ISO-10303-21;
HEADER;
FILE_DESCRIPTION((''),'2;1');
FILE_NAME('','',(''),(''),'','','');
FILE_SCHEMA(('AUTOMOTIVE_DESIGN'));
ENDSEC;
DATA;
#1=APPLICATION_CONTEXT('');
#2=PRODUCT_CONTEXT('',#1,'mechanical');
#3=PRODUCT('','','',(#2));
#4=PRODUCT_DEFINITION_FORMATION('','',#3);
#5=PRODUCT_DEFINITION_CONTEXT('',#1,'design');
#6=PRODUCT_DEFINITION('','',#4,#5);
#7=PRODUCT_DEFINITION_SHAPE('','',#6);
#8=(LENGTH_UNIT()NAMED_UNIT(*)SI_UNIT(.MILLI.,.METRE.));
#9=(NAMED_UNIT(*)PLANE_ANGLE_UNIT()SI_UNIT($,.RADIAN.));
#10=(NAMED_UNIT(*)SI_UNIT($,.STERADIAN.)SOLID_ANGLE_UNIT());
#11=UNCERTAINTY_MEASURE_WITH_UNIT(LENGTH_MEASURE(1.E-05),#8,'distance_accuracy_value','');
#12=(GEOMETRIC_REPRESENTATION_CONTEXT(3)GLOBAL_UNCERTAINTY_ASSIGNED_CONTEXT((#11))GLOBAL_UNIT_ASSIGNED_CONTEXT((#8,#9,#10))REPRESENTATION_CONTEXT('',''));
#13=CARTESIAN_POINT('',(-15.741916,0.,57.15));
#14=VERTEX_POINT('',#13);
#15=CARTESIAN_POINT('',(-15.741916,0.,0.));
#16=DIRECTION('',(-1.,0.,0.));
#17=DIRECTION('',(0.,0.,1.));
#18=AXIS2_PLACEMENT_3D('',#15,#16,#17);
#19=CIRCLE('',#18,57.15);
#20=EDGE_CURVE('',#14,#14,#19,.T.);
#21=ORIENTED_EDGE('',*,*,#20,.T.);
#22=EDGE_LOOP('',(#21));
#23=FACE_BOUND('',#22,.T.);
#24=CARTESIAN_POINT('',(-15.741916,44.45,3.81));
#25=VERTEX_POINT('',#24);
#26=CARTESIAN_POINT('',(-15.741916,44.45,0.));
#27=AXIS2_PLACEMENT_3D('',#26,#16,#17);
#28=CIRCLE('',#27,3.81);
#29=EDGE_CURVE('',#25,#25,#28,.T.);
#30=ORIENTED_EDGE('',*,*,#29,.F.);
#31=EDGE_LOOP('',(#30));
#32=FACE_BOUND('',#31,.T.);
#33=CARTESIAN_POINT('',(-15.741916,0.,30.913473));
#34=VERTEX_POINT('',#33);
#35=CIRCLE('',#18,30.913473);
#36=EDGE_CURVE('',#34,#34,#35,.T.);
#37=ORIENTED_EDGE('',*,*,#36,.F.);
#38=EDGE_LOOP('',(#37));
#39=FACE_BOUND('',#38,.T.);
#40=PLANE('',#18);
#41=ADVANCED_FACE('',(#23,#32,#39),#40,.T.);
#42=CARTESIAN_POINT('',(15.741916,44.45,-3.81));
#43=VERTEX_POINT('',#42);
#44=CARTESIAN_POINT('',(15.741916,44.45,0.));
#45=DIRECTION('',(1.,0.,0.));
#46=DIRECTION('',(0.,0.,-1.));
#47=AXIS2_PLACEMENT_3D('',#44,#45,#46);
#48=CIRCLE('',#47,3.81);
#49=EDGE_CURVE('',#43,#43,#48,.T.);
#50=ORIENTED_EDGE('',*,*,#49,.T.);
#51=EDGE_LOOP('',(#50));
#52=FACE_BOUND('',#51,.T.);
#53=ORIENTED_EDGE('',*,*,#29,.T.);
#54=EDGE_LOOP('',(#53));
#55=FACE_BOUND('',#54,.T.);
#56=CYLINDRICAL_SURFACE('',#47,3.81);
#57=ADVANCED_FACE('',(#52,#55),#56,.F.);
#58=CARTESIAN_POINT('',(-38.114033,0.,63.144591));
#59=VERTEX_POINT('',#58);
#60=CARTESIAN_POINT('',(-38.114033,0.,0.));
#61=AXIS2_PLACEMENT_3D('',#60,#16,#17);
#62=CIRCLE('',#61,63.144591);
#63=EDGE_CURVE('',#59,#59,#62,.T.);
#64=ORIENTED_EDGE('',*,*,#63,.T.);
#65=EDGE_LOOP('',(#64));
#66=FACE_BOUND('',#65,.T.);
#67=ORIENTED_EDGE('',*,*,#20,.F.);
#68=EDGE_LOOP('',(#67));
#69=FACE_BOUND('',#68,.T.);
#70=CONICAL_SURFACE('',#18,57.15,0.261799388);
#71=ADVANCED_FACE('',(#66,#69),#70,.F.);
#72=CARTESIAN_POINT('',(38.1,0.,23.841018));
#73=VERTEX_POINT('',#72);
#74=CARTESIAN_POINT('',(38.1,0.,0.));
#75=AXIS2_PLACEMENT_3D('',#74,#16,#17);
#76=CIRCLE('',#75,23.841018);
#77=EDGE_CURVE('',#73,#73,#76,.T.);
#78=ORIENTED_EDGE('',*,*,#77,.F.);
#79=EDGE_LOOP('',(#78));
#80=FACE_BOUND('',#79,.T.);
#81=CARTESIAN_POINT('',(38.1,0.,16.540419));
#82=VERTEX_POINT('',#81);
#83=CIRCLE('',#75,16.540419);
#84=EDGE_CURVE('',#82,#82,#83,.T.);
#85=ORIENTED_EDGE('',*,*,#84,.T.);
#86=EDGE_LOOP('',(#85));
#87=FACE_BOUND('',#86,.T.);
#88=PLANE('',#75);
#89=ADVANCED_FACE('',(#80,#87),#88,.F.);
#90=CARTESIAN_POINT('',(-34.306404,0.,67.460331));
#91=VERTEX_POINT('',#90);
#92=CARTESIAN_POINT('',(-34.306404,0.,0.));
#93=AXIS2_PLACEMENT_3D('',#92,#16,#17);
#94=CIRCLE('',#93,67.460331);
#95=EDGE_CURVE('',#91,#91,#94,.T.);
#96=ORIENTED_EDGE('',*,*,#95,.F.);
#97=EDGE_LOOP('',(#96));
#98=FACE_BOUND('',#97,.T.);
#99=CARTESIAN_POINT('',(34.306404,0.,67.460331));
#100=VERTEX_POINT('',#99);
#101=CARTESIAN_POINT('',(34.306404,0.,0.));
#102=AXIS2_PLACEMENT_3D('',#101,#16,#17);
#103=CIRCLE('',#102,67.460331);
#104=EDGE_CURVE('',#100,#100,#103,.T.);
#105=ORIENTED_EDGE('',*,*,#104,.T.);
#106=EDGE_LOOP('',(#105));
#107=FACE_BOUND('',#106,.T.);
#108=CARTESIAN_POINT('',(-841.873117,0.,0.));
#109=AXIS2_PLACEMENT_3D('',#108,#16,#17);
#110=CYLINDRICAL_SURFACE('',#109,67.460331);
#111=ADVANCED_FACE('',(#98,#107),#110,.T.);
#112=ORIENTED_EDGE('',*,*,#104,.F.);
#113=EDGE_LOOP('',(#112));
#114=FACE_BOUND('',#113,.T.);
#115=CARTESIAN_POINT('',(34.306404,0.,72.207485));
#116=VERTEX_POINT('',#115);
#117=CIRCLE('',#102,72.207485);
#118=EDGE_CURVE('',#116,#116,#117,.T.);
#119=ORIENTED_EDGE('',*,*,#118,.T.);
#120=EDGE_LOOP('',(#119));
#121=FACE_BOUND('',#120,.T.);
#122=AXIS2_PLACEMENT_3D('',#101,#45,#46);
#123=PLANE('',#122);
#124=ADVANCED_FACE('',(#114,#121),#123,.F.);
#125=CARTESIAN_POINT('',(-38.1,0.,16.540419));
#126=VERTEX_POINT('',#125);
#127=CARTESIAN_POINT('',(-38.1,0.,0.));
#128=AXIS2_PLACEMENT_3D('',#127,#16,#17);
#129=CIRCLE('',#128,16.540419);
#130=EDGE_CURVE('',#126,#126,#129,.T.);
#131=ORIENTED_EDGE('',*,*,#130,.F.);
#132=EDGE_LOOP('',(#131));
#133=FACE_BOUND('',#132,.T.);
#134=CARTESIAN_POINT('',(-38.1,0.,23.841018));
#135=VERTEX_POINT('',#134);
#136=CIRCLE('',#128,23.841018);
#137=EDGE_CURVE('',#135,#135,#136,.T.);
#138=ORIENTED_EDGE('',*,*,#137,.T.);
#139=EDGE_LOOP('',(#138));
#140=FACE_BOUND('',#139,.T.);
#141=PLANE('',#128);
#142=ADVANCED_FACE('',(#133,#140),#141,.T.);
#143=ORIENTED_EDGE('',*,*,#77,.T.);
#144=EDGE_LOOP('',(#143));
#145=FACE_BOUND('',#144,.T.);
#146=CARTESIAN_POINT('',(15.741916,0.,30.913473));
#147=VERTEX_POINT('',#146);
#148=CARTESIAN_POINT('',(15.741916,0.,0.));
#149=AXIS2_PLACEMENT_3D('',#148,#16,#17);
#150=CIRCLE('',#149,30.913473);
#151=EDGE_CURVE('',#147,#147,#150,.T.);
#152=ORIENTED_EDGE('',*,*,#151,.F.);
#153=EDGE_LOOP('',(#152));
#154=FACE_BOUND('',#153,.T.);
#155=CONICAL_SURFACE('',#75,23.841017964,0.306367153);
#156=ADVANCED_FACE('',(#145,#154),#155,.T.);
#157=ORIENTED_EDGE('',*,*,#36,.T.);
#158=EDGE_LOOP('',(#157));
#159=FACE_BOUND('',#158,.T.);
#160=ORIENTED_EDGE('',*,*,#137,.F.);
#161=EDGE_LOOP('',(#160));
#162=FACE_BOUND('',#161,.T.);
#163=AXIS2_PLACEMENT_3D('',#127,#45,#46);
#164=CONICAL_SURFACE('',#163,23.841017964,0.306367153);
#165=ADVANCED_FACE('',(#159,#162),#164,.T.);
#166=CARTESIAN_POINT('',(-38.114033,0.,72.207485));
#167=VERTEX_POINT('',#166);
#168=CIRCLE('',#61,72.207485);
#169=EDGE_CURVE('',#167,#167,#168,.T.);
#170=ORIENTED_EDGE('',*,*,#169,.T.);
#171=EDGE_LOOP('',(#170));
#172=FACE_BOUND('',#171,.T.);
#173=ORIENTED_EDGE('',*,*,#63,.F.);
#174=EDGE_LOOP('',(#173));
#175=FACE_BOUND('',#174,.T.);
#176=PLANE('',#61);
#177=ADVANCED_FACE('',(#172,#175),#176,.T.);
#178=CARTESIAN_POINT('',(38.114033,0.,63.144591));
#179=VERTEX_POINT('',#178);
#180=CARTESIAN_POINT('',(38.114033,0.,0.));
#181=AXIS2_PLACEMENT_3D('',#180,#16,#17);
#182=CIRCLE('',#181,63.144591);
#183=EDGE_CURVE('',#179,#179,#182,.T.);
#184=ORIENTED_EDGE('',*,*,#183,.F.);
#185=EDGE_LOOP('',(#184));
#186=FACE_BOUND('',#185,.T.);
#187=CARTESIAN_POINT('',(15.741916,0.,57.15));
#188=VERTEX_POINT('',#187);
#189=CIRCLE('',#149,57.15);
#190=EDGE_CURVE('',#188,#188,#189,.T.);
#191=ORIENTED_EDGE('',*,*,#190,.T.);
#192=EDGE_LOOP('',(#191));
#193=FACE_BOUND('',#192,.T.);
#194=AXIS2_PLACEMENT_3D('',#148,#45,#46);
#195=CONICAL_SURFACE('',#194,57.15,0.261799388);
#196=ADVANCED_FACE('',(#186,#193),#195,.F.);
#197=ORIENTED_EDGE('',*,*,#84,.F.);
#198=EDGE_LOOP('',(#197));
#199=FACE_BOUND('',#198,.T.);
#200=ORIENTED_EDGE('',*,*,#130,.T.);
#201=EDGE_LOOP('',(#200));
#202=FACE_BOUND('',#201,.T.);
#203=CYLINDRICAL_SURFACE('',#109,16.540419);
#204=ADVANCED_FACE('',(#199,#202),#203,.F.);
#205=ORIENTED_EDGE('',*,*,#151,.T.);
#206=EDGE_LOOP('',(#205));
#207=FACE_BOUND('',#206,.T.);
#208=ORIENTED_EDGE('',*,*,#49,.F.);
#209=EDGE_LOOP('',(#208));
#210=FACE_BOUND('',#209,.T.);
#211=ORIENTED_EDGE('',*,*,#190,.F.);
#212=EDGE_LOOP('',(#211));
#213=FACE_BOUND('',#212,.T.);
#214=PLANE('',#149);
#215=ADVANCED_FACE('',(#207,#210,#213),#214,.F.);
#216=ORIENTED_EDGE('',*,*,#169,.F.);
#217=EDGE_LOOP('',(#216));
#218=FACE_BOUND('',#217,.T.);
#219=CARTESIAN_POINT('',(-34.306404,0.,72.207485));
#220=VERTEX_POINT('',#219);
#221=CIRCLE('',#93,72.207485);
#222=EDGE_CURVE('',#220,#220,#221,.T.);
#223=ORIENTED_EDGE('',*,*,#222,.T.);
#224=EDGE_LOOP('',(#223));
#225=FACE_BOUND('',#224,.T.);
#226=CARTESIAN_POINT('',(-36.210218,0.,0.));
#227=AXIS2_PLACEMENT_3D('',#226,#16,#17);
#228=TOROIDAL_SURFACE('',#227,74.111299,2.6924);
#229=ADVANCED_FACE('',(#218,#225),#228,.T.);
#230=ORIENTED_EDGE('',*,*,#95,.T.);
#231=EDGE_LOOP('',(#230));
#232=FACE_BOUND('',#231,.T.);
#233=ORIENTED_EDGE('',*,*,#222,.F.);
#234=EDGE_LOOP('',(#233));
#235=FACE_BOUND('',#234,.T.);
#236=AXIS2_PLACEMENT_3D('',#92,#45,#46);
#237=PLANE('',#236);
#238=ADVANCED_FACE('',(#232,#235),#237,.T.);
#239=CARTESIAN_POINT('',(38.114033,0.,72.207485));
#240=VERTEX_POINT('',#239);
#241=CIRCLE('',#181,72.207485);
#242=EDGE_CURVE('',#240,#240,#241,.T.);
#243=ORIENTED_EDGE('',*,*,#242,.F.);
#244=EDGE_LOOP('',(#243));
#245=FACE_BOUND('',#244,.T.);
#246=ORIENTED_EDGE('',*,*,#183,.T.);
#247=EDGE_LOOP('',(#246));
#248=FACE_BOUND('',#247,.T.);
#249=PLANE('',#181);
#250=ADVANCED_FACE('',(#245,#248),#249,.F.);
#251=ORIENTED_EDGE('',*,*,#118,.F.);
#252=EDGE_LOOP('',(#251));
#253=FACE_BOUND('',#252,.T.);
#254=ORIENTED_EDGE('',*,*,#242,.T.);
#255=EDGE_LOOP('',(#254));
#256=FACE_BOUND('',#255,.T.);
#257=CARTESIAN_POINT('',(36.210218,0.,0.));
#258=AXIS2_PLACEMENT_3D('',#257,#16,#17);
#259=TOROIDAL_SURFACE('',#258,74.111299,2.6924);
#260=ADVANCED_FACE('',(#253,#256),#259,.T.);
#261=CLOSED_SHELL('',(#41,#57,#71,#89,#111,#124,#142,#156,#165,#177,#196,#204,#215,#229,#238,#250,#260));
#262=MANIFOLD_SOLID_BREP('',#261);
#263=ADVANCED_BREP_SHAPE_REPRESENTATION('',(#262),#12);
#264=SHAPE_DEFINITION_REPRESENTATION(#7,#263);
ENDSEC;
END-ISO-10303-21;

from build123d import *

# Parameters (mm, degrees)
F_3_8_0_3_DIAMETER_HOLE3_D = 7.62


with BuildPart() as part:
    # Sketch1 → Revolve4 (revolve)
    with BuildSketch(Plane.XY, mode=Mode.PRIVATE) as revolve4_sk:
        with BuildLine():
            Line((-34.306404062, 72.20748503), (-34.306404062, 67.460330901))
            Line((-34.306404062, 67.460330901), (34.306404062, 67.460330901))
            Line((34.306404062, 67.460330901), (34.306404062, 72.20748503))
            ThreePointArc((34.306404062, 72.20748503), (36.210218359, 76.803699328), (38.114032657, 72.20748503))
            Line((38.114032657, 72.20748503), (38.114032657, 63.144590546))
            Line((38.114032657, 63.144590546), (15.741916168, 57.15))
            Line((15.741916168, 57.15), (15.741916168, 30.913473054))
            Line((15.741916168, 30.913473054), (38.1, 23.841017964))
            Line((38.1, 23.841017964), (38.1, 16.540419162))
            Line((38.1, 16.540419162), (-38.1, 16.540419162))
            Line((-38.1, 16.540419162), (-38.1, 23.841017964))
            Line((-38.1, 23.841017964), (-15.741916168, 30.913473054))
            Line((-15.741916168, 30.913473054), (-15.741916168, 57.15))
            Line((-15.741916168, 57.15), (-38.114032657, 63.144590546))
            Line((-38.114032657, 63.144590546), (-38.114032657, 72.20748503))
            ThreePointArc((-38.114032657, 72.20748503), (-36.210218359, 76.803699328), (-34.306404062, 72.20748503))
        make_face()
    revolve(revolve4_sk.sketch.rotate(Axis((-841.873116512, 0, 0), (1, 0, 0)), 90), axis=Axis((-841.873116512, 0, 0), (1, 0, 0)))

    # 3/8 (0.3) Diameter Hole3 (through all)
    with Locations(Plane(origin=(15.741916168, 0, 0), x_dir=(0, 0, -1), z_dir=(1, 0, 0))):
        with Locations((0, 44.45)):
            Hole(F_3_8_0_3_DIAMETER_HOLE3_D / 2)


solid = part.part
